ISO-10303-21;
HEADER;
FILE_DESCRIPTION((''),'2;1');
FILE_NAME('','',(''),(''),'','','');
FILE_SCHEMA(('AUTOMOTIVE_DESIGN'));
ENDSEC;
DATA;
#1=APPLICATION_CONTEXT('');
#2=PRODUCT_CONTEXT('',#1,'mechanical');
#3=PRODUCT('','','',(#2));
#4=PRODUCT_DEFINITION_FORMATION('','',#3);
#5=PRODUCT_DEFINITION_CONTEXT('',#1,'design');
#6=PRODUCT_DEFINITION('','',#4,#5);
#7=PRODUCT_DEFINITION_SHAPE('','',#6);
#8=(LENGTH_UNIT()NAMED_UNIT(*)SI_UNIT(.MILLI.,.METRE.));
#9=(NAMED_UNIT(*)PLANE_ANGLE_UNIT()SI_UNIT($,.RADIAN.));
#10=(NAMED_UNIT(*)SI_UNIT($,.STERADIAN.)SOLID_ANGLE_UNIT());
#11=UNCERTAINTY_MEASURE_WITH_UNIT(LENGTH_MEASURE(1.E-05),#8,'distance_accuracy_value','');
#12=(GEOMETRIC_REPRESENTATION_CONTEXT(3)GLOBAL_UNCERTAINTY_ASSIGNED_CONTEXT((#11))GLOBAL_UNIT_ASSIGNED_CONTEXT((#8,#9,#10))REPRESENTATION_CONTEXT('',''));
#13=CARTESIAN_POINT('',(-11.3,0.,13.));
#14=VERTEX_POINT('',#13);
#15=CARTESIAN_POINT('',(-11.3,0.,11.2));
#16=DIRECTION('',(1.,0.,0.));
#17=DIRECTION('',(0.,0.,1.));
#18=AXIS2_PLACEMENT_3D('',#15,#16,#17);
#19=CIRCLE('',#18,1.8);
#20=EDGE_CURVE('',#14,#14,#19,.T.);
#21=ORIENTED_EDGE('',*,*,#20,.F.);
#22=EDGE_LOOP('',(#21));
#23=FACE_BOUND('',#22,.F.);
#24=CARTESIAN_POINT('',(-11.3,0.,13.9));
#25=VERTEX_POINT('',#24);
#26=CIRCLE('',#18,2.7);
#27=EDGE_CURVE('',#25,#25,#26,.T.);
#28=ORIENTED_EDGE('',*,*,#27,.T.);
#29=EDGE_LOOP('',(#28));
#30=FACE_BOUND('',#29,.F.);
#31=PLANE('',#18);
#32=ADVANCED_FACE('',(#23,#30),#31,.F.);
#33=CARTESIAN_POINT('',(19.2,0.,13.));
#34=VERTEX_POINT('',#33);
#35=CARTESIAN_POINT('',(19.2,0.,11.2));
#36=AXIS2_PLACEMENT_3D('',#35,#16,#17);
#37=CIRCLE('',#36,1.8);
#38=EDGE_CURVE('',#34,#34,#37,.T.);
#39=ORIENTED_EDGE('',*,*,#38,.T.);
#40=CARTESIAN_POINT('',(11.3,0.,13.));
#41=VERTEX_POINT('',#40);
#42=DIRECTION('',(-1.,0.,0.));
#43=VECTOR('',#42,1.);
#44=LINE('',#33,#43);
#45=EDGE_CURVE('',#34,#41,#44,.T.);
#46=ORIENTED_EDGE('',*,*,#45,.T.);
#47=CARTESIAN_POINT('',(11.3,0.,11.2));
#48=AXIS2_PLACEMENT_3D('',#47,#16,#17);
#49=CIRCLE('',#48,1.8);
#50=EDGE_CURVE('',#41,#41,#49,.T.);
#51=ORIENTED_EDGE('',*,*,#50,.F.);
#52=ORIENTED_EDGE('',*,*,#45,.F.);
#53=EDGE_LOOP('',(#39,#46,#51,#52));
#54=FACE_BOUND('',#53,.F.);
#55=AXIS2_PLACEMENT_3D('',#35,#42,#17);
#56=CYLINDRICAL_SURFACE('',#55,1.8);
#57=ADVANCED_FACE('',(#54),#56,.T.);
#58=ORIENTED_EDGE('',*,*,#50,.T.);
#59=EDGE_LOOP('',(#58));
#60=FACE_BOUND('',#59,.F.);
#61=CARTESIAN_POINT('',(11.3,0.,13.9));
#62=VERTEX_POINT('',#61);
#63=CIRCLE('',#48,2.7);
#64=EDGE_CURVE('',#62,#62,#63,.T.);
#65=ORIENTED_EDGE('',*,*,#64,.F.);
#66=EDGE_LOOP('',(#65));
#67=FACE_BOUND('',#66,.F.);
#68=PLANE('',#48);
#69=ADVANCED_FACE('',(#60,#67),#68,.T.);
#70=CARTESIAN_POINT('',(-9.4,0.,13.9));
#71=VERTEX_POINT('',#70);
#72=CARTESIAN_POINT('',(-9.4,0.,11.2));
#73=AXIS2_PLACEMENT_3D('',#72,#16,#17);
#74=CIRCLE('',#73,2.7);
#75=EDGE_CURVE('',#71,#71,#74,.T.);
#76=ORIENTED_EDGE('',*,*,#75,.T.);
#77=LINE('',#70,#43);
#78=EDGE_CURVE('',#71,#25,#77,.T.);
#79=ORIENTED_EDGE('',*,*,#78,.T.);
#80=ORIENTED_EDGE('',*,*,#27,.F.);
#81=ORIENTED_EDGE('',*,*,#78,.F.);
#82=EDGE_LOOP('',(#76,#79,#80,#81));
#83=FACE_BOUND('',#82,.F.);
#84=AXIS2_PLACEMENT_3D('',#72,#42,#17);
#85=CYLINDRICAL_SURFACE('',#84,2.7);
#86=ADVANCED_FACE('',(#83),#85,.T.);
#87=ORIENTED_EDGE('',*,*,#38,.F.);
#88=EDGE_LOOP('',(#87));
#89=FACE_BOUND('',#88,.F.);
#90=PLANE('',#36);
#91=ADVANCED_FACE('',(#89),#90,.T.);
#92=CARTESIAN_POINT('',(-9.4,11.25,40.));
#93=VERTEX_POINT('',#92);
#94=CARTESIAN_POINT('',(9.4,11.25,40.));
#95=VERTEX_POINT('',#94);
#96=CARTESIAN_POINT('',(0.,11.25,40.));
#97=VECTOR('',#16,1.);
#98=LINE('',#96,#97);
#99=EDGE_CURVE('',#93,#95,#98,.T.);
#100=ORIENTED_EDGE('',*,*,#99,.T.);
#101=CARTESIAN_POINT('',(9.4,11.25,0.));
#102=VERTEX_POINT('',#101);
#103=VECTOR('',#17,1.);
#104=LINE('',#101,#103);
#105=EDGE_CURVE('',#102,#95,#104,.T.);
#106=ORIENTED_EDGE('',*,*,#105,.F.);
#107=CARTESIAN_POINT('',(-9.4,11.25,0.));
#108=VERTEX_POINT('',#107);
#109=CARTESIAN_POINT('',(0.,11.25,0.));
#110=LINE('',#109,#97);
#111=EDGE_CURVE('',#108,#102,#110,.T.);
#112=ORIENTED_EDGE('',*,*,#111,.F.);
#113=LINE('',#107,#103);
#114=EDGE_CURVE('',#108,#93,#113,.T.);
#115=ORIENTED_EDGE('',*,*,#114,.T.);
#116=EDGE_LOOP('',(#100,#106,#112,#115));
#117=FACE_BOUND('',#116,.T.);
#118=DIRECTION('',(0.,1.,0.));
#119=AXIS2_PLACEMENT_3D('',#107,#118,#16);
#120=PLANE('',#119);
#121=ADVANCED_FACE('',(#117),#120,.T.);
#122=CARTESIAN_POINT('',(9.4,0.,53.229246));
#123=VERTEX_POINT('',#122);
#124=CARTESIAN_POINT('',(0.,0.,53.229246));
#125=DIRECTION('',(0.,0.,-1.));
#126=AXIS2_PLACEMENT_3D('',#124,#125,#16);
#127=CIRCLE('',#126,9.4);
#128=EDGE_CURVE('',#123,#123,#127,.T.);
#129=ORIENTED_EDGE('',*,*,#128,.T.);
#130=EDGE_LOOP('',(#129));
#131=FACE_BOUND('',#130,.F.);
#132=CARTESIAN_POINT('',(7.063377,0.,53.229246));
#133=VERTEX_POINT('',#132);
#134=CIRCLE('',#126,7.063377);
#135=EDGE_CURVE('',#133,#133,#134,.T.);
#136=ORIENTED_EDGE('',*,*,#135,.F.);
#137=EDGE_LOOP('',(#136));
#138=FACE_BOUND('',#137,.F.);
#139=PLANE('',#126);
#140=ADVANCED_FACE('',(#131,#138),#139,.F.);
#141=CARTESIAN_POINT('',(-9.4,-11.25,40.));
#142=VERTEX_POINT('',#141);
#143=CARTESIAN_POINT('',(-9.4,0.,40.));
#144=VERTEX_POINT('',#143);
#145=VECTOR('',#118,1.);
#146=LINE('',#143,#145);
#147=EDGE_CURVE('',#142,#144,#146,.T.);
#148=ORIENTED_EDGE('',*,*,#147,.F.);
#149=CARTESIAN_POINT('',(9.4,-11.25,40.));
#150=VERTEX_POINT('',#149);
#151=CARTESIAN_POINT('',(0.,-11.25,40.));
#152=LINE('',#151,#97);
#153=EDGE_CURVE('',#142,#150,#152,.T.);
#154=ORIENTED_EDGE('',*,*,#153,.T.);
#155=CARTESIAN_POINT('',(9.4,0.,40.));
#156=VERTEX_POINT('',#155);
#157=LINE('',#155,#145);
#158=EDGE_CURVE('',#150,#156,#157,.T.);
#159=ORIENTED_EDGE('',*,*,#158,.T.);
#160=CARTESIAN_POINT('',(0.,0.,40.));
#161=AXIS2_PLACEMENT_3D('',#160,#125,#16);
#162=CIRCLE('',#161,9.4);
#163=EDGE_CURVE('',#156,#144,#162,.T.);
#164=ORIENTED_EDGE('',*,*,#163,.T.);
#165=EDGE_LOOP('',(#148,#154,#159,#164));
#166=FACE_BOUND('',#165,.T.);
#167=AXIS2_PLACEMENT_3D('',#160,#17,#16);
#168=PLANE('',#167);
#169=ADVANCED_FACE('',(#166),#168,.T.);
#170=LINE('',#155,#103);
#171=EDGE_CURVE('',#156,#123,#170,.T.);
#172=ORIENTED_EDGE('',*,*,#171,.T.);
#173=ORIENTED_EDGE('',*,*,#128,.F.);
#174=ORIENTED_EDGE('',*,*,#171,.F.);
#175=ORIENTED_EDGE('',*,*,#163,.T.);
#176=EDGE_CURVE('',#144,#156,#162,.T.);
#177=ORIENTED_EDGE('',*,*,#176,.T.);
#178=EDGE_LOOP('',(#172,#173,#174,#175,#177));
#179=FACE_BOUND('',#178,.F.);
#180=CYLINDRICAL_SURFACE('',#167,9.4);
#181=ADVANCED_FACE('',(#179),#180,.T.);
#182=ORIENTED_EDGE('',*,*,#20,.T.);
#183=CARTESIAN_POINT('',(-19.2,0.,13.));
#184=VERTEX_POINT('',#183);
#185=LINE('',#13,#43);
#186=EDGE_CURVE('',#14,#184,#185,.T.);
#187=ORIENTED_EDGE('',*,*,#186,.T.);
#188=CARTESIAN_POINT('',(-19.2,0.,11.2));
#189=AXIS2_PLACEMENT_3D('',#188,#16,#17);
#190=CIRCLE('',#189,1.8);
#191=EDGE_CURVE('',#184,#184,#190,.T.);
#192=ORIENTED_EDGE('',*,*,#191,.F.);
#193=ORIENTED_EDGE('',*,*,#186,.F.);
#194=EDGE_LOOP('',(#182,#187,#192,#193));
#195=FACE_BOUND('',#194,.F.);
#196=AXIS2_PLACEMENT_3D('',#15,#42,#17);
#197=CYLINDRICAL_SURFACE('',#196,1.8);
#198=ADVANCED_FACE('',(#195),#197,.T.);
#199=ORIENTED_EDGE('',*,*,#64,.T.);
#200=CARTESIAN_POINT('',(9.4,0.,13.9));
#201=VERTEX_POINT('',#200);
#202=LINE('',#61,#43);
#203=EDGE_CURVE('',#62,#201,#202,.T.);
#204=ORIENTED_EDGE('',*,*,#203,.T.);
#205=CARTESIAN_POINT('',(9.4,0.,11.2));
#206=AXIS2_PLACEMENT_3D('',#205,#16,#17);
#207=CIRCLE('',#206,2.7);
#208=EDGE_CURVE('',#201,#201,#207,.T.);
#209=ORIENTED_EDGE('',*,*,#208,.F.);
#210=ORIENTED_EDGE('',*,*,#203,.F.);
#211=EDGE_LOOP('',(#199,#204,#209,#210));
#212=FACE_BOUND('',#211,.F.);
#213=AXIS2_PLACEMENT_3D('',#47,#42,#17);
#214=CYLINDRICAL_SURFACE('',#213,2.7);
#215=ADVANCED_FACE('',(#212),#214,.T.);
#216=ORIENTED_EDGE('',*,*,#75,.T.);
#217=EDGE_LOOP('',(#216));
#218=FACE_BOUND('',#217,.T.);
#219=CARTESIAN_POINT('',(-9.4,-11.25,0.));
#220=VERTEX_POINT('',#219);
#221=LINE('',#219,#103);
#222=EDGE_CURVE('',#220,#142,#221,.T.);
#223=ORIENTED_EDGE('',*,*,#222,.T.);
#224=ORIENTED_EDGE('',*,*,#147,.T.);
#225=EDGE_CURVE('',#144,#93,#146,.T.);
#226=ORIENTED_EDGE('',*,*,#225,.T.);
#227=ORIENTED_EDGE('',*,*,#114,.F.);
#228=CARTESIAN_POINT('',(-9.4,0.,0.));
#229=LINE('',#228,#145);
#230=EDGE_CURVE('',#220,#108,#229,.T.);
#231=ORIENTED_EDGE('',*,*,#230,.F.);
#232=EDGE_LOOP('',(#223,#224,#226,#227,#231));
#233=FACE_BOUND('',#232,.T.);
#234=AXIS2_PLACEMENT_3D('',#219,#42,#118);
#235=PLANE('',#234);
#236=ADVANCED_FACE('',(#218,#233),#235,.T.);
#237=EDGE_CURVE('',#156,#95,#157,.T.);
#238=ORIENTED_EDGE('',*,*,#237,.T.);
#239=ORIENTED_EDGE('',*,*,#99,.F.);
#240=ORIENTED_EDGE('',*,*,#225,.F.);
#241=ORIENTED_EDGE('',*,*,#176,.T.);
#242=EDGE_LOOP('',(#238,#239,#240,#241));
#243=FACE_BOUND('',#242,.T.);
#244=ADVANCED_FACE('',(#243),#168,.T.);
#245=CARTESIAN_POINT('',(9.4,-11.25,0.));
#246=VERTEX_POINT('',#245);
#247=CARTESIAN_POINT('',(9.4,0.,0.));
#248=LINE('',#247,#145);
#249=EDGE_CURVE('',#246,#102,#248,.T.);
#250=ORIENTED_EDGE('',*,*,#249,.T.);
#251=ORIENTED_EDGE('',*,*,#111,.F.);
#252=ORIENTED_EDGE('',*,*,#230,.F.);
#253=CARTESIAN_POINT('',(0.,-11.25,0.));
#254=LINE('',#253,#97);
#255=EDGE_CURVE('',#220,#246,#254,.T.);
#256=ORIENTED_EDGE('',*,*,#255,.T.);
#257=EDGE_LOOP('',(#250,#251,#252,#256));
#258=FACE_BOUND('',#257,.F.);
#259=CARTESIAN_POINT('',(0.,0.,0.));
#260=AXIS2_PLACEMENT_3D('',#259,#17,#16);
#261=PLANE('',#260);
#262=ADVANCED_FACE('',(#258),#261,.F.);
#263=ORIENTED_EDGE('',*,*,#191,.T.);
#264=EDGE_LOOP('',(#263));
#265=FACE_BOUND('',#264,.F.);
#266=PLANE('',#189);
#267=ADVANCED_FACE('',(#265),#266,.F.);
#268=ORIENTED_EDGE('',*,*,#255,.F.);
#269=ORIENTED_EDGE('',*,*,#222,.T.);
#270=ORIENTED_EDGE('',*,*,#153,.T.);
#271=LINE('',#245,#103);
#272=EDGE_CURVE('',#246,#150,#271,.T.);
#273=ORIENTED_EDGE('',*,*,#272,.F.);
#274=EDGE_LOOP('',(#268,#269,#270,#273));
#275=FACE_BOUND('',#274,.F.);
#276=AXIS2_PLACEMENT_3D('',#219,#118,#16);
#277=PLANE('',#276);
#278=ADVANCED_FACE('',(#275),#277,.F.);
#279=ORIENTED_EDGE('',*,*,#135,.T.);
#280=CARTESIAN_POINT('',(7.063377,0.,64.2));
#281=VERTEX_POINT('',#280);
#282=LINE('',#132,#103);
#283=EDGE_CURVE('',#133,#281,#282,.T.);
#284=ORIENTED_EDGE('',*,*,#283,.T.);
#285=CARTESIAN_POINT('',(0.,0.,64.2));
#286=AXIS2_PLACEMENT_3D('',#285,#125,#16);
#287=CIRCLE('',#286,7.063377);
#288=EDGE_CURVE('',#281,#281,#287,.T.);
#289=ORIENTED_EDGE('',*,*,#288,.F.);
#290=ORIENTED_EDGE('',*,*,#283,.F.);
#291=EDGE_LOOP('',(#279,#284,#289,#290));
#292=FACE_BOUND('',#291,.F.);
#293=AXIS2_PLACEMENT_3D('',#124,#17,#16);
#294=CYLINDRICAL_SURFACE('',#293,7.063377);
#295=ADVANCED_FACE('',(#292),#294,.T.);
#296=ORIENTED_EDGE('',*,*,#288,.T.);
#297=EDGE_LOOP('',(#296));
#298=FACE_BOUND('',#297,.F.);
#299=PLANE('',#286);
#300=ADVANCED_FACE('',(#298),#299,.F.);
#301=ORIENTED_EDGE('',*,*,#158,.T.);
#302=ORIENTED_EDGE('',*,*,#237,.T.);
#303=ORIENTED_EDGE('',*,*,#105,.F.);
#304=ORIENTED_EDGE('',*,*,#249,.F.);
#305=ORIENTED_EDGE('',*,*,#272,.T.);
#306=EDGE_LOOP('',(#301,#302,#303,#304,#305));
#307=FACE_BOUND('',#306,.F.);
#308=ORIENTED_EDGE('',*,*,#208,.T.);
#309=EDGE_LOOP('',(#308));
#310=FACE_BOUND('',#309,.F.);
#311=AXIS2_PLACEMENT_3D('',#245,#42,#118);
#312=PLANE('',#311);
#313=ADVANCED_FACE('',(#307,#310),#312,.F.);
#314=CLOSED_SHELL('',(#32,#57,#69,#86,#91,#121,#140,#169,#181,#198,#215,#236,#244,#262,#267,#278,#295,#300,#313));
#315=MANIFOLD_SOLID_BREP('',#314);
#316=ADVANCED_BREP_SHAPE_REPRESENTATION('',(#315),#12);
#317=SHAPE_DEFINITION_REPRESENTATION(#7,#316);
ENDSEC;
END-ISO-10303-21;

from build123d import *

# Parameters (mm, degrees)
F0_W     = 18.8
F0_H     = 22.5
F1_DEPTH = 40


with BuildPart() as f1:
    # F0 (on Top) → F1 (new body)
    with BuildSketch(Plane.XY):
        Rectangle(F0_W, F0_H)
    extrude(amount=F1_DEPTH)

    # F2 (on Front) → F3 (revolve)
    with BuildSketch(Plane.XZ):
        Polygon((7.063377, 64.2), (0, 64.2), (0, 40), (9.4, 40), (9.4, 53.229246), (7.063377, 53.229246), align=None)
    revolve(axis=Axis((0, 0, 52.1), (0, 0, -1)))

    # F4 (on Front) → F5 (revolve)
    with BuildSketch(Plane.XZ):
        Polygon((11.3, 13.9), (9.4, 13.9), (9.4, 11.2), (19.2, 11.2), (19.2, 13), (11.3, 13), align=None)
        Polygon((-19.2, 11.2), (-9.4, 11.2), (-9.4, 13.9), (-11.3, 13.9), (-11.3, 13), (-19.2, 13), align=None)
    revolve(axis=Axis((-0.119775, 0, 11.2), (1, 0, 0)))


solid = f1.part
